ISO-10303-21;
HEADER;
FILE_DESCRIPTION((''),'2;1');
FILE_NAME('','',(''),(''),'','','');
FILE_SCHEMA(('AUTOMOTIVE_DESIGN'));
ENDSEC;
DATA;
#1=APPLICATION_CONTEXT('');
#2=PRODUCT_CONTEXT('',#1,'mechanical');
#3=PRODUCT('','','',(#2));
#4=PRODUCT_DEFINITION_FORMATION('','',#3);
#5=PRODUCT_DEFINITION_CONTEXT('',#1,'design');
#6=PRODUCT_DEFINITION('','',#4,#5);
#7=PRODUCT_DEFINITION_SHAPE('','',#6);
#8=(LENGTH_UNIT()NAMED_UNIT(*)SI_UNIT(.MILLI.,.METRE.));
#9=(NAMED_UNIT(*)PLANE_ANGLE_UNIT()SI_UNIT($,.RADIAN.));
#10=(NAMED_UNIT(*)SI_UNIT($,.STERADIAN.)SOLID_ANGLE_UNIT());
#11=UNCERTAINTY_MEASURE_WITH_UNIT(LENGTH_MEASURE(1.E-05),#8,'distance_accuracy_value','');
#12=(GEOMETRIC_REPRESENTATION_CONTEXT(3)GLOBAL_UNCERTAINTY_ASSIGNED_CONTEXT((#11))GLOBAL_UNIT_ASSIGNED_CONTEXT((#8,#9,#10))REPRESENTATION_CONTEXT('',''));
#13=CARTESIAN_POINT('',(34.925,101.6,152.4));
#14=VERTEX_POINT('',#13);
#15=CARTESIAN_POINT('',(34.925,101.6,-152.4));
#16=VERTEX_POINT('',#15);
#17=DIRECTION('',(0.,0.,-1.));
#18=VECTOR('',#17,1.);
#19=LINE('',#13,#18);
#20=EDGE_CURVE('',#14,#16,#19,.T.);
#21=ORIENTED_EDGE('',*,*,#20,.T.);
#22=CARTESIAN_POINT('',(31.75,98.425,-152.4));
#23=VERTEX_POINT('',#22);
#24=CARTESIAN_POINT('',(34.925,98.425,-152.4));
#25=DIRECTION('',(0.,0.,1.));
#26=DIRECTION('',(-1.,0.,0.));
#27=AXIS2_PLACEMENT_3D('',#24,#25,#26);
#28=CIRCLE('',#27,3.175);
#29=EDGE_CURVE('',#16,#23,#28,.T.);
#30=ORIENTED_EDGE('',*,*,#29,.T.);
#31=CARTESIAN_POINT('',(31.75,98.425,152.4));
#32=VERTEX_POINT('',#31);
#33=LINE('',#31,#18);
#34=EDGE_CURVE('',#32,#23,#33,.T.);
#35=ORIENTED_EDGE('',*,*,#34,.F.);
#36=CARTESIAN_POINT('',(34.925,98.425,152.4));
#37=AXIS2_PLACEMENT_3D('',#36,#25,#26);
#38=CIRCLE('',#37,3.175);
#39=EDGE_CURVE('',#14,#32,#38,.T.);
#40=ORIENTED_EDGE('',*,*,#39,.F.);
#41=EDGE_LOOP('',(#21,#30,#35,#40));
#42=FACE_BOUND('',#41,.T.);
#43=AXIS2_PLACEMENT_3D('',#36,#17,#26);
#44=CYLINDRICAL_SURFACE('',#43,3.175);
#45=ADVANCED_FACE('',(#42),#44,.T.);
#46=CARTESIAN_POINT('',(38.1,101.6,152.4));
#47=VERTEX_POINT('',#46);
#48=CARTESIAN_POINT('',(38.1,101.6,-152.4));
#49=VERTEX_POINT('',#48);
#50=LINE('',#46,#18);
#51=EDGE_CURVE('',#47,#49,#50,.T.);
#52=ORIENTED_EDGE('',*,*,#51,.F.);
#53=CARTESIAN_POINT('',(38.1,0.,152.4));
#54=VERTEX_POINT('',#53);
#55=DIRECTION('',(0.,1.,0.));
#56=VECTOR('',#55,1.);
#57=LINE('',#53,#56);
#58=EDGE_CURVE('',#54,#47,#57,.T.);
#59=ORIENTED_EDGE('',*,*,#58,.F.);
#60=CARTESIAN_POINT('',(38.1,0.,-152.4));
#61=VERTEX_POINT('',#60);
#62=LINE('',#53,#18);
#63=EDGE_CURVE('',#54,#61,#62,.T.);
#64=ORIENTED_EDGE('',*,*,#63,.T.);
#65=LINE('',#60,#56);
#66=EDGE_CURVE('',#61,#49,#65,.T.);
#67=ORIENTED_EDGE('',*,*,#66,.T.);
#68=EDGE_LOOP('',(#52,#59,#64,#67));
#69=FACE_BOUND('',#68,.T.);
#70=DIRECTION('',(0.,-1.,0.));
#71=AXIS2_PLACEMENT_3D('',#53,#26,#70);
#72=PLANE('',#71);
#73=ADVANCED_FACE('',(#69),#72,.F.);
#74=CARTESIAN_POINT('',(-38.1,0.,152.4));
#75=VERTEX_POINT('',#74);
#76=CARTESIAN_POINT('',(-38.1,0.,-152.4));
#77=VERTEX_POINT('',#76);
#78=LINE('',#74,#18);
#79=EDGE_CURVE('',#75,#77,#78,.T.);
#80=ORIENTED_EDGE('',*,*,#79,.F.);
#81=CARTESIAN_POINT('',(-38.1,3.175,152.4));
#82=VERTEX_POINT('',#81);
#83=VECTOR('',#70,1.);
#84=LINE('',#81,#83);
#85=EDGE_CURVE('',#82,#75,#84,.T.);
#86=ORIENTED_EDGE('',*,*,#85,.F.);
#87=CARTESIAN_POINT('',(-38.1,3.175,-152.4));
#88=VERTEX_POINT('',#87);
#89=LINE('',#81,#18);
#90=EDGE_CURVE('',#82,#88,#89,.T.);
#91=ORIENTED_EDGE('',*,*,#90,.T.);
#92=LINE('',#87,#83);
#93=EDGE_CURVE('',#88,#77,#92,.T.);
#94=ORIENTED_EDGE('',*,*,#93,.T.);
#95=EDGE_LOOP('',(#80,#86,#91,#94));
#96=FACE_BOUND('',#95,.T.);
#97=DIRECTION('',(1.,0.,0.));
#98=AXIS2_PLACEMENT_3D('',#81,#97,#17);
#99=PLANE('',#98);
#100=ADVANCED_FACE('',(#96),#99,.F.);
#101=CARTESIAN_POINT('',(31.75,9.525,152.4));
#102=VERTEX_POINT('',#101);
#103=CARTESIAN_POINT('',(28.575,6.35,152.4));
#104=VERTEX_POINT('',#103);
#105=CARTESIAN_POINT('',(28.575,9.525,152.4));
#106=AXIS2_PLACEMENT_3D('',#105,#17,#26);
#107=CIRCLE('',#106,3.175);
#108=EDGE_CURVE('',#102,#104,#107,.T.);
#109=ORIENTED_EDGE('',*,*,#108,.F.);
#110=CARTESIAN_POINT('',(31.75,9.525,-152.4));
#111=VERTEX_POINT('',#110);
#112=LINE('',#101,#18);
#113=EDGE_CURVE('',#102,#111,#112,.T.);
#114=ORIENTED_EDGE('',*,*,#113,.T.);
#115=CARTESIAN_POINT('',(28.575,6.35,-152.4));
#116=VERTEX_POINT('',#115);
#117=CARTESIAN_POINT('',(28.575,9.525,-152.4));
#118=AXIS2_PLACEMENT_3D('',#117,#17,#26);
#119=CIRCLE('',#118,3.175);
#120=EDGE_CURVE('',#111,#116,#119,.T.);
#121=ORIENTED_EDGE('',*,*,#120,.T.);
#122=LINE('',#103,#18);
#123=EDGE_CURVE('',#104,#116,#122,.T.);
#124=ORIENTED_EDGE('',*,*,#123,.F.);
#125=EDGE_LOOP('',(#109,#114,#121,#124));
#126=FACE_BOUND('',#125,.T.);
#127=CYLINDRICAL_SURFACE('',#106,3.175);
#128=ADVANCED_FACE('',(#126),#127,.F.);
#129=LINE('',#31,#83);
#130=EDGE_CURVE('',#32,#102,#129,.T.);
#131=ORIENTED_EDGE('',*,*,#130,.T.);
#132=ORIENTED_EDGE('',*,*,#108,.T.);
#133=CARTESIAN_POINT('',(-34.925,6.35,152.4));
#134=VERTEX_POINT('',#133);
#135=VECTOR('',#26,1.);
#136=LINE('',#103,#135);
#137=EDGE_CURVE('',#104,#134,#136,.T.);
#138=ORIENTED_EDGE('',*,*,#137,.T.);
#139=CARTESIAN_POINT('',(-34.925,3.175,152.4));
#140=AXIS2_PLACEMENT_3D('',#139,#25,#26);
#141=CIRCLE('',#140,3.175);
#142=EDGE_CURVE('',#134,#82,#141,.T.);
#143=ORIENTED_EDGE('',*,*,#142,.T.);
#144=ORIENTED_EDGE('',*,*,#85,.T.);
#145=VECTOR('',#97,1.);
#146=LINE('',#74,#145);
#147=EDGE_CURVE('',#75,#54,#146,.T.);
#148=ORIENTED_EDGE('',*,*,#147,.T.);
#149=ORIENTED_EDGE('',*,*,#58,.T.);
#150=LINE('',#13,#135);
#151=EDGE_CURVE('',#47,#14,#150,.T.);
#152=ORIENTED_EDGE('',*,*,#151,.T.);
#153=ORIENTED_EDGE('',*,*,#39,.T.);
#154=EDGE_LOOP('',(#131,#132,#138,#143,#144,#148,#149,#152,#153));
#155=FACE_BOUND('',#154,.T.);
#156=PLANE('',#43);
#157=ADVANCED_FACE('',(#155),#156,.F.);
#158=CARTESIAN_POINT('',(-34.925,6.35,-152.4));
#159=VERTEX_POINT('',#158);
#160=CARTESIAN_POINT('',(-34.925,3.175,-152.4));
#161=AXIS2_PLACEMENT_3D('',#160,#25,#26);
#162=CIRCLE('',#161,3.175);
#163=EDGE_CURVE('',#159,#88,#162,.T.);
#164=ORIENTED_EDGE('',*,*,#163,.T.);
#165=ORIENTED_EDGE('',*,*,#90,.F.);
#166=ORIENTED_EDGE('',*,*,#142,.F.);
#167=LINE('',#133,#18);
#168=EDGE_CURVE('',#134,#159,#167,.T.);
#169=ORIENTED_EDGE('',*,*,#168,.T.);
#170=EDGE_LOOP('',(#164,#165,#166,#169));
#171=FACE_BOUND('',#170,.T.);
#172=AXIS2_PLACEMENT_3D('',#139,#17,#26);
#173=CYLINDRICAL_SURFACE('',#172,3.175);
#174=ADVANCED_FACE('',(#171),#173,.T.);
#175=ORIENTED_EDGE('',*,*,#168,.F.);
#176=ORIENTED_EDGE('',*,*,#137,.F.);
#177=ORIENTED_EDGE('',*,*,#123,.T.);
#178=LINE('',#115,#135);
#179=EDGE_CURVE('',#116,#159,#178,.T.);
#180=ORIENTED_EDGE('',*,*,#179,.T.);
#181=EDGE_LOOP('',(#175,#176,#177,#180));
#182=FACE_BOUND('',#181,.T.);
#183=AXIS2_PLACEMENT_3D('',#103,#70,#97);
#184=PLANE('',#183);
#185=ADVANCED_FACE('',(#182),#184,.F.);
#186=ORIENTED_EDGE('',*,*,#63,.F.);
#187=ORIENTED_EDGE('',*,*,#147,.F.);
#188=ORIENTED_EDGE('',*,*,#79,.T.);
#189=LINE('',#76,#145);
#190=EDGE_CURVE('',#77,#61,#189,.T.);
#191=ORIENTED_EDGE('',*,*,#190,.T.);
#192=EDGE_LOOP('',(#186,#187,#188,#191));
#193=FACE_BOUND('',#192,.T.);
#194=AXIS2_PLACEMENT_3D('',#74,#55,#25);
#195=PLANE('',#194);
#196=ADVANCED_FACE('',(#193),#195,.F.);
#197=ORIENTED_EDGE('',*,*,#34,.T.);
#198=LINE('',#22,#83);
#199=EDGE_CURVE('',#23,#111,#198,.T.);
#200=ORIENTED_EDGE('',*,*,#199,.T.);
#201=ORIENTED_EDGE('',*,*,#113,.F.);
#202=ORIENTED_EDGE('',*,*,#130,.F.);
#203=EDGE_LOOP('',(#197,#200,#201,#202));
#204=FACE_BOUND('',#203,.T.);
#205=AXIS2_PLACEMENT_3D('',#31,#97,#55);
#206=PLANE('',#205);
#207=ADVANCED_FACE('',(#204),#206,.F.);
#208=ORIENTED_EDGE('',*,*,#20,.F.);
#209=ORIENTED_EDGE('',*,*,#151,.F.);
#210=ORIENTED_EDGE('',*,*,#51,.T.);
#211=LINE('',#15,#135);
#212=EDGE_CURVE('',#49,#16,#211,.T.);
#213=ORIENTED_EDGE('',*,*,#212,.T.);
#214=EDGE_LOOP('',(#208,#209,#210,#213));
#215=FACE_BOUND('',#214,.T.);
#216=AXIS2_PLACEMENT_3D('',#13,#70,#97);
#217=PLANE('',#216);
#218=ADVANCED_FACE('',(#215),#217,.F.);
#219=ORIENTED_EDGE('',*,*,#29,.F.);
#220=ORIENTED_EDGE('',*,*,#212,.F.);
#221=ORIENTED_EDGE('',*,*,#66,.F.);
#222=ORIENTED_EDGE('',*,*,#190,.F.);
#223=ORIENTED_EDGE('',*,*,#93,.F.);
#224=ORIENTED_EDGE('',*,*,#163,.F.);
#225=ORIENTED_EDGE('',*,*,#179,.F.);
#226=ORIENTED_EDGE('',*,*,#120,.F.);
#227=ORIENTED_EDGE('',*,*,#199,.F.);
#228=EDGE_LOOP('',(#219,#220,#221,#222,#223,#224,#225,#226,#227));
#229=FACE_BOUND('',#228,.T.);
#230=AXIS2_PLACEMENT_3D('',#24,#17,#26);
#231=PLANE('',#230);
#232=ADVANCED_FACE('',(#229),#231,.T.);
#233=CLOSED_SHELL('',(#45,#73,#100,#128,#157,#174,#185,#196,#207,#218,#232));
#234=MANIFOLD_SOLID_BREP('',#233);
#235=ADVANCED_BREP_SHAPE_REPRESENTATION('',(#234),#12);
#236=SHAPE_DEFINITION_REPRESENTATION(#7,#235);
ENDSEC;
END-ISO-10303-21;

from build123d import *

# Parameters (mm, degrees)
BOSS_EXTRUDE1_DEPTH = 152.4


with BuildPart() as part:
    # Sketch2 → Boss-Extrude1 (new body, symmetric)
    with BuildSketch(Plane.XY):
        with BuildLine():
            Line((-38.1, 0), (38.1, 0))
            Line((38.1, 0), (38.1, 101.6))
            Line((38.1, 101.6), (34.925, 101.6))
            ThreePointArc((34.925, 101.6), (32.67993597, 100.67006403), (31.75, 98.425))
            Line((31.75, 98.425), (31.75, 9.525))
            ThreePointArc((31.75, 9.525), (30.82006403, 7.27993597), (28.575, 6.35))
            Line((28.575, 6.35), (-34.925, 6.35))
            ThreePointArc((-34.925, 6.35), (-37.17006403, 5.42006403), (-38.1, 3.175))
            Line((-38.1, 3.175), (-38.1, 0))
        make_face()
    extrude(amount=BOSS_EXTRUDE1_DEPTH, both=True)


solid = part.part
